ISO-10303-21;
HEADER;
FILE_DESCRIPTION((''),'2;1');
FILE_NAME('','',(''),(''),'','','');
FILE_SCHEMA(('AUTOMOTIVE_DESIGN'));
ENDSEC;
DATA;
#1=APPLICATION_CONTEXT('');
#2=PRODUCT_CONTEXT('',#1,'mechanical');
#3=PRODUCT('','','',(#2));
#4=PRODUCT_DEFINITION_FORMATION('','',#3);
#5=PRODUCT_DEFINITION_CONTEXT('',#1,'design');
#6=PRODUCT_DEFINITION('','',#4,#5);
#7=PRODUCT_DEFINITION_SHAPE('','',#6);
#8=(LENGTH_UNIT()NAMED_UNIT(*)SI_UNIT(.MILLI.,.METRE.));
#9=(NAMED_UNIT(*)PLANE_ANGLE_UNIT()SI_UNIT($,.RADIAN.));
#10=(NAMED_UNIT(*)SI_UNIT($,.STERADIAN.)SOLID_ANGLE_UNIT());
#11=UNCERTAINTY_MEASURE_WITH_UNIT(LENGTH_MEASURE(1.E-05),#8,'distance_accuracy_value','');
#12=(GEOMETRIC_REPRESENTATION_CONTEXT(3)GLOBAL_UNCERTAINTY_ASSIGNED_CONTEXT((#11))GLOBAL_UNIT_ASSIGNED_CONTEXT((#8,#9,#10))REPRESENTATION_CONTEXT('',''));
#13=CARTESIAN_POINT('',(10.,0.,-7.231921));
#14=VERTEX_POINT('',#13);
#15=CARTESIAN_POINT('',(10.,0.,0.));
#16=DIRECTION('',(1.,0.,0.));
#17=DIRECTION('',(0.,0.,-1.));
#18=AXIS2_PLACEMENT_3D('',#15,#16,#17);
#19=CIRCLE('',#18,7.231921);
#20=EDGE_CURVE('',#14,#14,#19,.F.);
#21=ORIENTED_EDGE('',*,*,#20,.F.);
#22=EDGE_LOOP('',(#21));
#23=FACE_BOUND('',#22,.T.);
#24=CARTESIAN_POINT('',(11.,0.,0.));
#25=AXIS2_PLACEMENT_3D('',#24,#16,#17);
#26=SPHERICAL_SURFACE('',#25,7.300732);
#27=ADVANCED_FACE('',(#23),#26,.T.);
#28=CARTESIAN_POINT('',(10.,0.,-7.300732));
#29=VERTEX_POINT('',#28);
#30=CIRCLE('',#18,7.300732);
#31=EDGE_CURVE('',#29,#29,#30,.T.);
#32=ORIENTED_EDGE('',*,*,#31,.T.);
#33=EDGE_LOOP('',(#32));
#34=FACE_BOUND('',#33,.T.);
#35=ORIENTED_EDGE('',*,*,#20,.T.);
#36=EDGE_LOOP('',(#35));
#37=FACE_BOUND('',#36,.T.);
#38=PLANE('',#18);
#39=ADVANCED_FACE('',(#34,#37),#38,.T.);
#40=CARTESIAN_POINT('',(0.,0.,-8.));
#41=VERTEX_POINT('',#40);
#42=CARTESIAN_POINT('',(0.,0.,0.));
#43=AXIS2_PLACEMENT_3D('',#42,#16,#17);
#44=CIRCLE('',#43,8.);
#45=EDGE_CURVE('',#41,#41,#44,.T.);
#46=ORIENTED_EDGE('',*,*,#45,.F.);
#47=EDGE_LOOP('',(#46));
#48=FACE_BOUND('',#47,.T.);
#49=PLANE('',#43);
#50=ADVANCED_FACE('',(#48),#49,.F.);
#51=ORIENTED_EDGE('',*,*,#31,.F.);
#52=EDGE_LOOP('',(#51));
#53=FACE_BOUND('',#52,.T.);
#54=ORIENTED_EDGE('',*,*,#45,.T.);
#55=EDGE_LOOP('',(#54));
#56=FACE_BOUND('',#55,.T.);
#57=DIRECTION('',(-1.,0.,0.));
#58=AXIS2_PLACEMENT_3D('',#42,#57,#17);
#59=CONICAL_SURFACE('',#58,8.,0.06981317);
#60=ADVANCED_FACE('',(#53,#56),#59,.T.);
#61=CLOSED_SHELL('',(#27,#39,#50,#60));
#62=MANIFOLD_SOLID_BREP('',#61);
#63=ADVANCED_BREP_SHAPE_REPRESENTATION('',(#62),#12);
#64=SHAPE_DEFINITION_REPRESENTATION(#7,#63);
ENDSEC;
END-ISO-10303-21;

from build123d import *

# Parameters (mm, degrees)
SKETCH1_R           = 8
BOSS_EXTRUDE1_DEPTH = 10
BOSS_EXTRUDE1_TAPER = 4


with BuildPart() as part:
    # Sketch1 → Boss-Extrude1 (new body)
    with BuildSketch(Plane(origin=(0, 0, 0), x_dir=(0, 0, -1), z_dir=(1, 0, 0))):
        Circle(SKETCH1_R)
    extrude(amount=BOSS_EXTRUDE1_DEPTH, taper=BOSS_EXTRUDE1_TAPER)

    # Sketch2 → Revolve1 (revolve)
    with BuildSketch(Plane(origin=(11, 0, 0), x_dir=(0, 0, -1), z_dir=(1, 0, 0))):
        with BuildLine():
            Line((0, 7.300731881), (0, -7.300731881))
            ThreePointArc((0, -7.300731881), (7.300731881, 0), (0, 7.300731881))
        make_face()
    revolve(axis=Axis((11, 7.300731881, 0), (0, -1, 0)))


solid = part.part
